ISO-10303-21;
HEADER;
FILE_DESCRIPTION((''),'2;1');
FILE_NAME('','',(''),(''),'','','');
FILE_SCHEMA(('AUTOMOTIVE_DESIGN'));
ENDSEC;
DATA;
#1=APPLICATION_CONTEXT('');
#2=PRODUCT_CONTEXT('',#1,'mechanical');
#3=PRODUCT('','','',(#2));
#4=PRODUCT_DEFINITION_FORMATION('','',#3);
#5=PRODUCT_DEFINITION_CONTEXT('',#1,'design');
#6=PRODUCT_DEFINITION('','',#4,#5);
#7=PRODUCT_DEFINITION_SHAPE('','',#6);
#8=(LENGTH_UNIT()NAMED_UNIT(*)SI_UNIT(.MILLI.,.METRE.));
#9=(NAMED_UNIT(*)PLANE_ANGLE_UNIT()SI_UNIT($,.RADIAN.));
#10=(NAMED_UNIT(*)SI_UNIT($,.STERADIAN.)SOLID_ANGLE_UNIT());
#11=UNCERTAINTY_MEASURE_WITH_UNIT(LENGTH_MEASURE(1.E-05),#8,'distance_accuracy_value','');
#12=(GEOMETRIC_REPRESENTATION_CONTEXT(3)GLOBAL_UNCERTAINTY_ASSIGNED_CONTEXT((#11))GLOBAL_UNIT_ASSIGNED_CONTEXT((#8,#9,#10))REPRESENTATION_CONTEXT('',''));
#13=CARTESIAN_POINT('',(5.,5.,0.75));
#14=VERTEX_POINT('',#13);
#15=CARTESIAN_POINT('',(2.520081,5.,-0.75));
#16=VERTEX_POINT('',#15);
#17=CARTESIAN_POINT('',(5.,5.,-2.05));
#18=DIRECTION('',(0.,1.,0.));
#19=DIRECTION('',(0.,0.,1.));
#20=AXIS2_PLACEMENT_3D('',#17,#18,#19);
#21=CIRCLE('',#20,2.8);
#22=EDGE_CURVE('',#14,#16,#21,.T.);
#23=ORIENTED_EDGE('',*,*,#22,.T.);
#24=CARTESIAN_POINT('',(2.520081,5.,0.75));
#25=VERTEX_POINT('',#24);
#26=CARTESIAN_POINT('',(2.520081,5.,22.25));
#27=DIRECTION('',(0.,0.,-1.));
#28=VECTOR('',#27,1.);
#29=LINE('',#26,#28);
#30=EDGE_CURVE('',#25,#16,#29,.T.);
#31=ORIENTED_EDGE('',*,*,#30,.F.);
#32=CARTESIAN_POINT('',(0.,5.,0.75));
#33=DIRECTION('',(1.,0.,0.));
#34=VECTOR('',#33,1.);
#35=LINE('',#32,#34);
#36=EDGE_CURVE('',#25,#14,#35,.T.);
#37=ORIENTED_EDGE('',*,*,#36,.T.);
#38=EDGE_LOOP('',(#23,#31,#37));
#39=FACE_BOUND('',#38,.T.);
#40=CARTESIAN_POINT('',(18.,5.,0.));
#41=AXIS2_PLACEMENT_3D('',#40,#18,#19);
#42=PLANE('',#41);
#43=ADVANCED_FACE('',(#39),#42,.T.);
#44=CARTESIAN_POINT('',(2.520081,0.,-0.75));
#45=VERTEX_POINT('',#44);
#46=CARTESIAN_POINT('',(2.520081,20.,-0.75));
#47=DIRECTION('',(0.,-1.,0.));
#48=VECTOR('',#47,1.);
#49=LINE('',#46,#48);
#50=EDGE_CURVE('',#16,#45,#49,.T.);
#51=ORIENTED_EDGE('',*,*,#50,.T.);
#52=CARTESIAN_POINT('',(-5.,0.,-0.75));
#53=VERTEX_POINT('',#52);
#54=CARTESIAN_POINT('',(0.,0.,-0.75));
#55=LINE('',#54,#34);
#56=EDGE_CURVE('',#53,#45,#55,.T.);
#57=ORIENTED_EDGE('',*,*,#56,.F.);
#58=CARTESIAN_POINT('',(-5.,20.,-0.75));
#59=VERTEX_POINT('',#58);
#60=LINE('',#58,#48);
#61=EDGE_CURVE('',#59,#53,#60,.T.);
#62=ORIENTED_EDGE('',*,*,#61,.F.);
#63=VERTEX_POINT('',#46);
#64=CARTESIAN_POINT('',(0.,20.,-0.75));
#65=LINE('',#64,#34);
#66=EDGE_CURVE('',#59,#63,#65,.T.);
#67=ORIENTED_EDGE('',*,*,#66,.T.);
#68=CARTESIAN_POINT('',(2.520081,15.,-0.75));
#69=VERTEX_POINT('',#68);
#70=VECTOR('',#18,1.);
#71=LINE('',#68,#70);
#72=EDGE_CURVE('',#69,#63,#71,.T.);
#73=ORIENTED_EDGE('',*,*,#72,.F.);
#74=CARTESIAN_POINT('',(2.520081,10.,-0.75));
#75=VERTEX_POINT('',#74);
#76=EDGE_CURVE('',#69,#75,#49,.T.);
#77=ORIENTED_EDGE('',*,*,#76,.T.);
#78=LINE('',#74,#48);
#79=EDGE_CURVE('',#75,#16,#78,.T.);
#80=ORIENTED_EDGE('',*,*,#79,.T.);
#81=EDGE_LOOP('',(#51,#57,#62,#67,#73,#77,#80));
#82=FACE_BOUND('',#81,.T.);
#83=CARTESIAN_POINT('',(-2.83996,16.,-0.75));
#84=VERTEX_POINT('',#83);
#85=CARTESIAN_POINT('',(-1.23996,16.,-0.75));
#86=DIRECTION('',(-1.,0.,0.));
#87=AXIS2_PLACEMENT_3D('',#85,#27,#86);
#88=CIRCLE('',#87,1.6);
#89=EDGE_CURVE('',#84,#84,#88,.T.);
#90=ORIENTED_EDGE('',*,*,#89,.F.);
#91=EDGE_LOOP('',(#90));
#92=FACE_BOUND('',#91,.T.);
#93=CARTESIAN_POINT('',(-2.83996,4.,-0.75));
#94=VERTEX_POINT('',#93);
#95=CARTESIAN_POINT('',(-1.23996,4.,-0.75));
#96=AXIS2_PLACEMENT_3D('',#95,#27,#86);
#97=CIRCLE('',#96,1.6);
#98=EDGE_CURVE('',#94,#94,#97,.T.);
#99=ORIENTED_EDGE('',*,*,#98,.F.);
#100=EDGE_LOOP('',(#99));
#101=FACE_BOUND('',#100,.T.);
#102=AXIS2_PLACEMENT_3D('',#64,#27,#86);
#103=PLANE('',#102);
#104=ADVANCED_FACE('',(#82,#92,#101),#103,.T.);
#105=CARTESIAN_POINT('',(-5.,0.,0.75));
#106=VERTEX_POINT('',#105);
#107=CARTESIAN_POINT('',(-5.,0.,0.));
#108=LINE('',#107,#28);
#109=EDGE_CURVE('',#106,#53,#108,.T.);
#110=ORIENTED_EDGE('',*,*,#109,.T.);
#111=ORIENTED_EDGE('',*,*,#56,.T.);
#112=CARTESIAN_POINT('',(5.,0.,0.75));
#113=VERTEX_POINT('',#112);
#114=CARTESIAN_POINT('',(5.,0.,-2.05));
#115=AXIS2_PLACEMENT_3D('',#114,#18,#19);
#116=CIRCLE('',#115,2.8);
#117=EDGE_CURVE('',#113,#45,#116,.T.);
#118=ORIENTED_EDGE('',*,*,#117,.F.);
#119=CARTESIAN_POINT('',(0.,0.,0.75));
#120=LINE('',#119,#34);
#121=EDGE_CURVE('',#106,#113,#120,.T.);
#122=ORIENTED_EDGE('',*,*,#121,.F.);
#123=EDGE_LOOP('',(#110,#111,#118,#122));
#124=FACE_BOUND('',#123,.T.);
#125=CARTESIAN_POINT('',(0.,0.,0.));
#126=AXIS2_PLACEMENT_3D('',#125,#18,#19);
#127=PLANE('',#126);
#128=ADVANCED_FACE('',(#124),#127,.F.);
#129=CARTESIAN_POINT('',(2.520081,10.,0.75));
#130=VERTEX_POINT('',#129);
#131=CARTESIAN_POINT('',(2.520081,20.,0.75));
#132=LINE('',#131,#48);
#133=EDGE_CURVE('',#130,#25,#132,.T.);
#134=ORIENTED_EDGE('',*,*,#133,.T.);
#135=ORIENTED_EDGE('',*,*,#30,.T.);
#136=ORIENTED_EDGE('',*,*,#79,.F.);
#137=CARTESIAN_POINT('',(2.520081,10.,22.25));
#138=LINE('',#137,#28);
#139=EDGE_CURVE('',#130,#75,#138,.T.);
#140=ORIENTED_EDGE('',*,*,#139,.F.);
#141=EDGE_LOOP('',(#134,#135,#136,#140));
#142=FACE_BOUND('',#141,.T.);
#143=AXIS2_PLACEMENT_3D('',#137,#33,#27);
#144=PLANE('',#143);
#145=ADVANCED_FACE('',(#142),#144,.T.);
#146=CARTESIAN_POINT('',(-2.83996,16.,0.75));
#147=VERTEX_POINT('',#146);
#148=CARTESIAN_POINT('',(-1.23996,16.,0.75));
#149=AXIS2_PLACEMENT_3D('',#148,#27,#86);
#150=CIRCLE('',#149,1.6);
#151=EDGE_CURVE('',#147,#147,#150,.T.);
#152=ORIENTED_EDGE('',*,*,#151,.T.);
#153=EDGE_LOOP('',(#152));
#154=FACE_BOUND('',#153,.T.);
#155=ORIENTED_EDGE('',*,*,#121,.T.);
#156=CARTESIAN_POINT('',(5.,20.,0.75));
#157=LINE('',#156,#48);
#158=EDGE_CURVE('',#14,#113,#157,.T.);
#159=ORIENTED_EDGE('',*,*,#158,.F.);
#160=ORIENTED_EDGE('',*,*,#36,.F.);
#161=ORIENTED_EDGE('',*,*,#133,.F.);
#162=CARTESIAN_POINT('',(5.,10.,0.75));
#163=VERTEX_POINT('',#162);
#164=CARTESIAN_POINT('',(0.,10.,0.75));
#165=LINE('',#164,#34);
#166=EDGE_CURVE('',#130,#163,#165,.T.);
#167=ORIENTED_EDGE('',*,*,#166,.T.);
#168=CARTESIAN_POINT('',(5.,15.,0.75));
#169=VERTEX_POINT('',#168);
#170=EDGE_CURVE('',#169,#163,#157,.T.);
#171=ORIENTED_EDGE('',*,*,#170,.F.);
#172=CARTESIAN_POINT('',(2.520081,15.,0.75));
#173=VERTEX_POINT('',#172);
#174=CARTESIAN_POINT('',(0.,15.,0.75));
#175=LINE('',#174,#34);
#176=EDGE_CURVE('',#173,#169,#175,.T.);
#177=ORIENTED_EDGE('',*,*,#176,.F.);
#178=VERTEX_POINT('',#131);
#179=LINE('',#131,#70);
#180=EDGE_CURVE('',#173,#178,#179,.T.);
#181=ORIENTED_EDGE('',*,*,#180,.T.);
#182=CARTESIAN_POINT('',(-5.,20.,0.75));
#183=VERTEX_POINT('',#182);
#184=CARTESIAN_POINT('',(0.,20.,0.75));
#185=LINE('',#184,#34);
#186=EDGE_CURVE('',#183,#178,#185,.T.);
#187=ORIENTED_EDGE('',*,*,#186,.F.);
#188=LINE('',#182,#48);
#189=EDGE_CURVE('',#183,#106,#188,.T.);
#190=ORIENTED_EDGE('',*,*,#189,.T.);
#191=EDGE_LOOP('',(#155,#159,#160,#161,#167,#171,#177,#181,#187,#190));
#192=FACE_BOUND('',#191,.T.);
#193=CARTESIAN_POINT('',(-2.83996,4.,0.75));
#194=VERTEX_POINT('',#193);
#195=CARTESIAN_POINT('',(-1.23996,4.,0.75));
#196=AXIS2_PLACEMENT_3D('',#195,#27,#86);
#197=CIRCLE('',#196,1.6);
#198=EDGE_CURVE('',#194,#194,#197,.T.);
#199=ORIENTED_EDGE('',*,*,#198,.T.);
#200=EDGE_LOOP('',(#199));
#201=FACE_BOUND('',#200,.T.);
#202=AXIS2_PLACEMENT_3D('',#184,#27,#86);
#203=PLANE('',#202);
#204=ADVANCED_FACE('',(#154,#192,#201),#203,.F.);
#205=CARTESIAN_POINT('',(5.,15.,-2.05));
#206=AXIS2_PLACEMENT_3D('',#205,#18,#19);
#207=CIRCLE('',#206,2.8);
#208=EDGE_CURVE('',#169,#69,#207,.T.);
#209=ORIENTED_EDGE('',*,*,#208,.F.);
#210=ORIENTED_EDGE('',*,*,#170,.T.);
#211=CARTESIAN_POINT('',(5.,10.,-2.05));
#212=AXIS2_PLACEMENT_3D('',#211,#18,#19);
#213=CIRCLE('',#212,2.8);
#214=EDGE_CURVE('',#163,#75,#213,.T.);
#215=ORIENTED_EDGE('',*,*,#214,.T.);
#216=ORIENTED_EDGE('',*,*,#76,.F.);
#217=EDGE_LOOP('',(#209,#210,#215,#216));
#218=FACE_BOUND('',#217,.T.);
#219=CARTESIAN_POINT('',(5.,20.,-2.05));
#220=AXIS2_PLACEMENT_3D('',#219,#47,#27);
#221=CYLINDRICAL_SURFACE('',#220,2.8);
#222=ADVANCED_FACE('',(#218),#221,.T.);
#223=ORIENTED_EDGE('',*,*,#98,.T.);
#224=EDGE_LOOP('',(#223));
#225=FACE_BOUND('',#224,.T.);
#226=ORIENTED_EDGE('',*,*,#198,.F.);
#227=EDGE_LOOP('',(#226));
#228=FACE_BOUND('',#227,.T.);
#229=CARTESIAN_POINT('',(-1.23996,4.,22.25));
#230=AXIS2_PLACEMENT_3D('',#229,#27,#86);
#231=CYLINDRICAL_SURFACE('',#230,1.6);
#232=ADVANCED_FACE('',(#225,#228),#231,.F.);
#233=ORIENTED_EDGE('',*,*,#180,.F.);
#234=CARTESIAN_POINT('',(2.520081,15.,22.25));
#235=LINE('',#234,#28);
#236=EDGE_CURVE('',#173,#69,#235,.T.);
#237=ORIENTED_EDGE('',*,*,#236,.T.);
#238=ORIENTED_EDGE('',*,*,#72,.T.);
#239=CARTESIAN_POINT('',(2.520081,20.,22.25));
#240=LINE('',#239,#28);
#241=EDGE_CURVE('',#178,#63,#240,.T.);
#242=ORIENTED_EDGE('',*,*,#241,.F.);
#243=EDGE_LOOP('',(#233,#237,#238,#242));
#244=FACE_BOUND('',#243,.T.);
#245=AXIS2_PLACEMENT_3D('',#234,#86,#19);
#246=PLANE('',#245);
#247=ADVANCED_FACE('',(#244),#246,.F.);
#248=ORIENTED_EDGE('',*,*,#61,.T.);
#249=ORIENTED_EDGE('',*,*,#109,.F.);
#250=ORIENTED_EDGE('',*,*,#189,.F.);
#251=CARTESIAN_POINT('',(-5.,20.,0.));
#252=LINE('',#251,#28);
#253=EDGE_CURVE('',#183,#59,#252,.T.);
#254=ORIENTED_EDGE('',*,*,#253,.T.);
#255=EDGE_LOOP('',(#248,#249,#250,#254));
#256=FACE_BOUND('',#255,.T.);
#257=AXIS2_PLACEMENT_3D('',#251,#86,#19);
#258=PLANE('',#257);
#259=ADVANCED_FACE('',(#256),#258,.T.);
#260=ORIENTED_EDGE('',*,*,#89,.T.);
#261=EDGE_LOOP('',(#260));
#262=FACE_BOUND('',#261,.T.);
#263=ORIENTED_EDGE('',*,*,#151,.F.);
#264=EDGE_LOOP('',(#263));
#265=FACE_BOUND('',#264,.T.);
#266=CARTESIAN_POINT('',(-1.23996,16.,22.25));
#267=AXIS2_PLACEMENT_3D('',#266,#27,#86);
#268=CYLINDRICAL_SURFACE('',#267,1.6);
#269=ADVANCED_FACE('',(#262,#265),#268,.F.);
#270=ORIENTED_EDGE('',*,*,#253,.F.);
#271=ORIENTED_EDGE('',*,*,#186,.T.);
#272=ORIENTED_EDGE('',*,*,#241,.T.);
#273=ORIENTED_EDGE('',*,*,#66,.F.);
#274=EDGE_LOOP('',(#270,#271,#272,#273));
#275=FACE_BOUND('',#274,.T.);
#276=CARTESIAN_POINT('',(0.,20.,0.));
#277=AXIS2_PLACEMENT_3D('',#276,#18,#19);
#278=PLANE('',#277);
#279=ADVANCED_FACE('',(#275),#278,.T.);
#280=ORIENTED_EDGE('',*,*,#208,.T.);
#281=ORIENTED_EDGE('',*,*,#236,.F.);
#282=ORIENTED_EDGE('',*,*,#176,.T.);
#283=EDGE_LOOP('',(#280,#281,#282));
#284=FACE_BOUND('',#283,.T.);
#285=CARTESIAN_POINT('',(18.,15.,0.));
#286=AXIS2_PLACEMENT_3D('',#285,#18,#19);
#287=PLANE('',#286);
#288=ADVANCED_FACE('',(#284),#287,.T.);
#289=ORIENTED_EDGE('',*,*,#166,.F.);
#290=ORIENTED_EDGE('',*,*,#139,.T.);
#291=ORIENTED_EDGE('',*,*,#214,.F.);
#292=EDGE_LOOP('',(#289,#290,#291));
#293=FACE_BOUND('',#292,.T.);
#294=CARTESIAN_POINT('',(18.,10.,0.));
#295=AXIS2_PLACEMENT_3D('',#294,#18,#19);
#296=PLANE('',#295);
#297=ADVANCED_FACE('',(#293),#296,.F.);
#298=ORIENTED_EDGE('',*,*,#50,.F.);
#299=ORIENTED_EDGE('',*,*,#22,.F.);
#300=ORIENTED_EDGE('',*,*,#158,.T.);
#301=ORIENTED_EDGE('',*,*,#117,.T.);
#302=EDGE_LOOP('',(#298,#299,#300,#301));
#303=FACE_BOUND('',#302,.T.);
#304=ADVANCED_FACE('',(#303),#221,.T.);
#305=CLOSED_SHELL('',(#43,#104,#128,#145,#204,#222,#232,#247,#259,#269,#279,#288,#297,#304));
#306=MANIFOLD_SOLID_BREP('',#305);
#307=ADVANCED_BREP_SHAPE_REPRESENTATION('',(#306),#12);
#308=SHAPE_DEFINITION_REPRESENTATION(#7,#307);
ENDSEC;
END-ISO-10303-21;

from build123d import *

# Parameters (mm, degrees)
EXTRUDE_2_DEPTH     = 20
SKETCH_4_W          = 4.1
SKETCH_4_H          = 5
CUT_EXTRUDE_1_DEPTH = 23
SKETCH_5_W          = 4.959838708
SKETCH_5_H          = 5
CUT_EXTRUDE_2_DEPTH = 23
SKETCH_6_R          = 1.6
CUT_EXTRUDE_3_DEPTH = 23


with BuildPart() as part:
    # 草图1 → 凸台-拉伸2 (new body)
    with BuildSketch(Plane(origin=(0, 0, 0), x_dir=(1, 0, 0), z_dir=(0, 1, 0))):
        with BuildLine():
            ThreePointArc((2.520080646, 0.75), (3.550862325, -0.34582971), (5, -0.75))
            Line((5, -0.75), (5, 0.75))
            Line((5, 0.75), (2.520080646, 0.75))
        make_face()
        with BuildLine():
            Line((5, 0.75), (5, -0.75))
            ThreePointArc((5, -0.75), (6.979898987, 0.070101013), (7.8, 2.05))
            ThreePointArc((7.8, 2.05), (4.330587642, 4.768802511), (2.520080646, 0.75))
            Line((2.520080646, 0.75), (5, 0.75))
        make_face()
        with BuildLine():
            ThreePointArc((2.520080646, 0.75), (3.550862325, -0.34582971), (5, -0.75))
            Line((5, -0.75), (5, 0.75))
            Line((5, 0.75), (2.520080646, 0.75))
        make_face()
        with BuildLine():
            Line((5, 0.75), (5, -0.75))
            ThreePointArc((5, -0.75), (6.979898987, 0.070101013), (7.8, 2.05))
            ThreePointArc((7.8, 2.05), (4.330587642, 4.768802511), (2.520080646, 0.75))
            Line((2.520080646, 0.75), (5, 0.75))
        make_face()
        with BuildLine():
            Line((-5, 0.75), (-5, -0.75))
            Line((-5, -0.75), (5, -0.75))
            ThreePointArc((5, -0.75), (3.550862325, -0.34582971), (2.520080646, 0.75))
            Line((2.520080646, 0.75), (-5, 0.75))
        make_face()
    extrude(amount=EXTRUDE_2_DEPTH)

    # 草图4 → 切除-拉伸1 (cut)
    with BuildSketch(Plane.ZY.offset(5)):
        with Locations((-2.8, 17.5)):
            Rectangle(SKETCH_4_W, SKETCH_4_H)
        with Locations((-2.8, 7.5)):
            Rectangle(SKETCH_4_W, SKETCH_4_H)
    extrude(amount=-CUT_EXTRUDE_1_DEPTH, mode=Mode.SUBTRACT)

    # 草图5 → 切除-拉伸2 (cut)
    with BuildSketch(Plane(origin=(0, 0, -0.75), x_dir=(-1, 0, 0), z_dir=(0, 0, -1))):
        with Locations((-5, 7.5)):
            Rectangle(SKETCH_5_W, SKETCH_5_H)
        with Locations((-5, 17.5)):
            Rectangle(SKETCH_5_W, SKETCH_5_H)
    extrude(amount=-CUT_EXTRUDE_2_DEPTH, mode=Mode.SUBTRACT)

    # 草图6 → 切除-拉伸3 (cut)
    with BuildSketch(Plane(origin=(0, 0, -0.75), x_dir=(-1, 0, 0), z_dir=(0, 0, -1))):
        with Locations((1.239959677, 16)):
            Circle(SKETCH_6_R)
        with Locations((1.239959677, 4)):
            Circle(SKETCH_6_R)
    extrude(amount=-CUT_EXTRUDE_3_DEPTH, mode=Mode.SUBTRACT)


solid = part.part
